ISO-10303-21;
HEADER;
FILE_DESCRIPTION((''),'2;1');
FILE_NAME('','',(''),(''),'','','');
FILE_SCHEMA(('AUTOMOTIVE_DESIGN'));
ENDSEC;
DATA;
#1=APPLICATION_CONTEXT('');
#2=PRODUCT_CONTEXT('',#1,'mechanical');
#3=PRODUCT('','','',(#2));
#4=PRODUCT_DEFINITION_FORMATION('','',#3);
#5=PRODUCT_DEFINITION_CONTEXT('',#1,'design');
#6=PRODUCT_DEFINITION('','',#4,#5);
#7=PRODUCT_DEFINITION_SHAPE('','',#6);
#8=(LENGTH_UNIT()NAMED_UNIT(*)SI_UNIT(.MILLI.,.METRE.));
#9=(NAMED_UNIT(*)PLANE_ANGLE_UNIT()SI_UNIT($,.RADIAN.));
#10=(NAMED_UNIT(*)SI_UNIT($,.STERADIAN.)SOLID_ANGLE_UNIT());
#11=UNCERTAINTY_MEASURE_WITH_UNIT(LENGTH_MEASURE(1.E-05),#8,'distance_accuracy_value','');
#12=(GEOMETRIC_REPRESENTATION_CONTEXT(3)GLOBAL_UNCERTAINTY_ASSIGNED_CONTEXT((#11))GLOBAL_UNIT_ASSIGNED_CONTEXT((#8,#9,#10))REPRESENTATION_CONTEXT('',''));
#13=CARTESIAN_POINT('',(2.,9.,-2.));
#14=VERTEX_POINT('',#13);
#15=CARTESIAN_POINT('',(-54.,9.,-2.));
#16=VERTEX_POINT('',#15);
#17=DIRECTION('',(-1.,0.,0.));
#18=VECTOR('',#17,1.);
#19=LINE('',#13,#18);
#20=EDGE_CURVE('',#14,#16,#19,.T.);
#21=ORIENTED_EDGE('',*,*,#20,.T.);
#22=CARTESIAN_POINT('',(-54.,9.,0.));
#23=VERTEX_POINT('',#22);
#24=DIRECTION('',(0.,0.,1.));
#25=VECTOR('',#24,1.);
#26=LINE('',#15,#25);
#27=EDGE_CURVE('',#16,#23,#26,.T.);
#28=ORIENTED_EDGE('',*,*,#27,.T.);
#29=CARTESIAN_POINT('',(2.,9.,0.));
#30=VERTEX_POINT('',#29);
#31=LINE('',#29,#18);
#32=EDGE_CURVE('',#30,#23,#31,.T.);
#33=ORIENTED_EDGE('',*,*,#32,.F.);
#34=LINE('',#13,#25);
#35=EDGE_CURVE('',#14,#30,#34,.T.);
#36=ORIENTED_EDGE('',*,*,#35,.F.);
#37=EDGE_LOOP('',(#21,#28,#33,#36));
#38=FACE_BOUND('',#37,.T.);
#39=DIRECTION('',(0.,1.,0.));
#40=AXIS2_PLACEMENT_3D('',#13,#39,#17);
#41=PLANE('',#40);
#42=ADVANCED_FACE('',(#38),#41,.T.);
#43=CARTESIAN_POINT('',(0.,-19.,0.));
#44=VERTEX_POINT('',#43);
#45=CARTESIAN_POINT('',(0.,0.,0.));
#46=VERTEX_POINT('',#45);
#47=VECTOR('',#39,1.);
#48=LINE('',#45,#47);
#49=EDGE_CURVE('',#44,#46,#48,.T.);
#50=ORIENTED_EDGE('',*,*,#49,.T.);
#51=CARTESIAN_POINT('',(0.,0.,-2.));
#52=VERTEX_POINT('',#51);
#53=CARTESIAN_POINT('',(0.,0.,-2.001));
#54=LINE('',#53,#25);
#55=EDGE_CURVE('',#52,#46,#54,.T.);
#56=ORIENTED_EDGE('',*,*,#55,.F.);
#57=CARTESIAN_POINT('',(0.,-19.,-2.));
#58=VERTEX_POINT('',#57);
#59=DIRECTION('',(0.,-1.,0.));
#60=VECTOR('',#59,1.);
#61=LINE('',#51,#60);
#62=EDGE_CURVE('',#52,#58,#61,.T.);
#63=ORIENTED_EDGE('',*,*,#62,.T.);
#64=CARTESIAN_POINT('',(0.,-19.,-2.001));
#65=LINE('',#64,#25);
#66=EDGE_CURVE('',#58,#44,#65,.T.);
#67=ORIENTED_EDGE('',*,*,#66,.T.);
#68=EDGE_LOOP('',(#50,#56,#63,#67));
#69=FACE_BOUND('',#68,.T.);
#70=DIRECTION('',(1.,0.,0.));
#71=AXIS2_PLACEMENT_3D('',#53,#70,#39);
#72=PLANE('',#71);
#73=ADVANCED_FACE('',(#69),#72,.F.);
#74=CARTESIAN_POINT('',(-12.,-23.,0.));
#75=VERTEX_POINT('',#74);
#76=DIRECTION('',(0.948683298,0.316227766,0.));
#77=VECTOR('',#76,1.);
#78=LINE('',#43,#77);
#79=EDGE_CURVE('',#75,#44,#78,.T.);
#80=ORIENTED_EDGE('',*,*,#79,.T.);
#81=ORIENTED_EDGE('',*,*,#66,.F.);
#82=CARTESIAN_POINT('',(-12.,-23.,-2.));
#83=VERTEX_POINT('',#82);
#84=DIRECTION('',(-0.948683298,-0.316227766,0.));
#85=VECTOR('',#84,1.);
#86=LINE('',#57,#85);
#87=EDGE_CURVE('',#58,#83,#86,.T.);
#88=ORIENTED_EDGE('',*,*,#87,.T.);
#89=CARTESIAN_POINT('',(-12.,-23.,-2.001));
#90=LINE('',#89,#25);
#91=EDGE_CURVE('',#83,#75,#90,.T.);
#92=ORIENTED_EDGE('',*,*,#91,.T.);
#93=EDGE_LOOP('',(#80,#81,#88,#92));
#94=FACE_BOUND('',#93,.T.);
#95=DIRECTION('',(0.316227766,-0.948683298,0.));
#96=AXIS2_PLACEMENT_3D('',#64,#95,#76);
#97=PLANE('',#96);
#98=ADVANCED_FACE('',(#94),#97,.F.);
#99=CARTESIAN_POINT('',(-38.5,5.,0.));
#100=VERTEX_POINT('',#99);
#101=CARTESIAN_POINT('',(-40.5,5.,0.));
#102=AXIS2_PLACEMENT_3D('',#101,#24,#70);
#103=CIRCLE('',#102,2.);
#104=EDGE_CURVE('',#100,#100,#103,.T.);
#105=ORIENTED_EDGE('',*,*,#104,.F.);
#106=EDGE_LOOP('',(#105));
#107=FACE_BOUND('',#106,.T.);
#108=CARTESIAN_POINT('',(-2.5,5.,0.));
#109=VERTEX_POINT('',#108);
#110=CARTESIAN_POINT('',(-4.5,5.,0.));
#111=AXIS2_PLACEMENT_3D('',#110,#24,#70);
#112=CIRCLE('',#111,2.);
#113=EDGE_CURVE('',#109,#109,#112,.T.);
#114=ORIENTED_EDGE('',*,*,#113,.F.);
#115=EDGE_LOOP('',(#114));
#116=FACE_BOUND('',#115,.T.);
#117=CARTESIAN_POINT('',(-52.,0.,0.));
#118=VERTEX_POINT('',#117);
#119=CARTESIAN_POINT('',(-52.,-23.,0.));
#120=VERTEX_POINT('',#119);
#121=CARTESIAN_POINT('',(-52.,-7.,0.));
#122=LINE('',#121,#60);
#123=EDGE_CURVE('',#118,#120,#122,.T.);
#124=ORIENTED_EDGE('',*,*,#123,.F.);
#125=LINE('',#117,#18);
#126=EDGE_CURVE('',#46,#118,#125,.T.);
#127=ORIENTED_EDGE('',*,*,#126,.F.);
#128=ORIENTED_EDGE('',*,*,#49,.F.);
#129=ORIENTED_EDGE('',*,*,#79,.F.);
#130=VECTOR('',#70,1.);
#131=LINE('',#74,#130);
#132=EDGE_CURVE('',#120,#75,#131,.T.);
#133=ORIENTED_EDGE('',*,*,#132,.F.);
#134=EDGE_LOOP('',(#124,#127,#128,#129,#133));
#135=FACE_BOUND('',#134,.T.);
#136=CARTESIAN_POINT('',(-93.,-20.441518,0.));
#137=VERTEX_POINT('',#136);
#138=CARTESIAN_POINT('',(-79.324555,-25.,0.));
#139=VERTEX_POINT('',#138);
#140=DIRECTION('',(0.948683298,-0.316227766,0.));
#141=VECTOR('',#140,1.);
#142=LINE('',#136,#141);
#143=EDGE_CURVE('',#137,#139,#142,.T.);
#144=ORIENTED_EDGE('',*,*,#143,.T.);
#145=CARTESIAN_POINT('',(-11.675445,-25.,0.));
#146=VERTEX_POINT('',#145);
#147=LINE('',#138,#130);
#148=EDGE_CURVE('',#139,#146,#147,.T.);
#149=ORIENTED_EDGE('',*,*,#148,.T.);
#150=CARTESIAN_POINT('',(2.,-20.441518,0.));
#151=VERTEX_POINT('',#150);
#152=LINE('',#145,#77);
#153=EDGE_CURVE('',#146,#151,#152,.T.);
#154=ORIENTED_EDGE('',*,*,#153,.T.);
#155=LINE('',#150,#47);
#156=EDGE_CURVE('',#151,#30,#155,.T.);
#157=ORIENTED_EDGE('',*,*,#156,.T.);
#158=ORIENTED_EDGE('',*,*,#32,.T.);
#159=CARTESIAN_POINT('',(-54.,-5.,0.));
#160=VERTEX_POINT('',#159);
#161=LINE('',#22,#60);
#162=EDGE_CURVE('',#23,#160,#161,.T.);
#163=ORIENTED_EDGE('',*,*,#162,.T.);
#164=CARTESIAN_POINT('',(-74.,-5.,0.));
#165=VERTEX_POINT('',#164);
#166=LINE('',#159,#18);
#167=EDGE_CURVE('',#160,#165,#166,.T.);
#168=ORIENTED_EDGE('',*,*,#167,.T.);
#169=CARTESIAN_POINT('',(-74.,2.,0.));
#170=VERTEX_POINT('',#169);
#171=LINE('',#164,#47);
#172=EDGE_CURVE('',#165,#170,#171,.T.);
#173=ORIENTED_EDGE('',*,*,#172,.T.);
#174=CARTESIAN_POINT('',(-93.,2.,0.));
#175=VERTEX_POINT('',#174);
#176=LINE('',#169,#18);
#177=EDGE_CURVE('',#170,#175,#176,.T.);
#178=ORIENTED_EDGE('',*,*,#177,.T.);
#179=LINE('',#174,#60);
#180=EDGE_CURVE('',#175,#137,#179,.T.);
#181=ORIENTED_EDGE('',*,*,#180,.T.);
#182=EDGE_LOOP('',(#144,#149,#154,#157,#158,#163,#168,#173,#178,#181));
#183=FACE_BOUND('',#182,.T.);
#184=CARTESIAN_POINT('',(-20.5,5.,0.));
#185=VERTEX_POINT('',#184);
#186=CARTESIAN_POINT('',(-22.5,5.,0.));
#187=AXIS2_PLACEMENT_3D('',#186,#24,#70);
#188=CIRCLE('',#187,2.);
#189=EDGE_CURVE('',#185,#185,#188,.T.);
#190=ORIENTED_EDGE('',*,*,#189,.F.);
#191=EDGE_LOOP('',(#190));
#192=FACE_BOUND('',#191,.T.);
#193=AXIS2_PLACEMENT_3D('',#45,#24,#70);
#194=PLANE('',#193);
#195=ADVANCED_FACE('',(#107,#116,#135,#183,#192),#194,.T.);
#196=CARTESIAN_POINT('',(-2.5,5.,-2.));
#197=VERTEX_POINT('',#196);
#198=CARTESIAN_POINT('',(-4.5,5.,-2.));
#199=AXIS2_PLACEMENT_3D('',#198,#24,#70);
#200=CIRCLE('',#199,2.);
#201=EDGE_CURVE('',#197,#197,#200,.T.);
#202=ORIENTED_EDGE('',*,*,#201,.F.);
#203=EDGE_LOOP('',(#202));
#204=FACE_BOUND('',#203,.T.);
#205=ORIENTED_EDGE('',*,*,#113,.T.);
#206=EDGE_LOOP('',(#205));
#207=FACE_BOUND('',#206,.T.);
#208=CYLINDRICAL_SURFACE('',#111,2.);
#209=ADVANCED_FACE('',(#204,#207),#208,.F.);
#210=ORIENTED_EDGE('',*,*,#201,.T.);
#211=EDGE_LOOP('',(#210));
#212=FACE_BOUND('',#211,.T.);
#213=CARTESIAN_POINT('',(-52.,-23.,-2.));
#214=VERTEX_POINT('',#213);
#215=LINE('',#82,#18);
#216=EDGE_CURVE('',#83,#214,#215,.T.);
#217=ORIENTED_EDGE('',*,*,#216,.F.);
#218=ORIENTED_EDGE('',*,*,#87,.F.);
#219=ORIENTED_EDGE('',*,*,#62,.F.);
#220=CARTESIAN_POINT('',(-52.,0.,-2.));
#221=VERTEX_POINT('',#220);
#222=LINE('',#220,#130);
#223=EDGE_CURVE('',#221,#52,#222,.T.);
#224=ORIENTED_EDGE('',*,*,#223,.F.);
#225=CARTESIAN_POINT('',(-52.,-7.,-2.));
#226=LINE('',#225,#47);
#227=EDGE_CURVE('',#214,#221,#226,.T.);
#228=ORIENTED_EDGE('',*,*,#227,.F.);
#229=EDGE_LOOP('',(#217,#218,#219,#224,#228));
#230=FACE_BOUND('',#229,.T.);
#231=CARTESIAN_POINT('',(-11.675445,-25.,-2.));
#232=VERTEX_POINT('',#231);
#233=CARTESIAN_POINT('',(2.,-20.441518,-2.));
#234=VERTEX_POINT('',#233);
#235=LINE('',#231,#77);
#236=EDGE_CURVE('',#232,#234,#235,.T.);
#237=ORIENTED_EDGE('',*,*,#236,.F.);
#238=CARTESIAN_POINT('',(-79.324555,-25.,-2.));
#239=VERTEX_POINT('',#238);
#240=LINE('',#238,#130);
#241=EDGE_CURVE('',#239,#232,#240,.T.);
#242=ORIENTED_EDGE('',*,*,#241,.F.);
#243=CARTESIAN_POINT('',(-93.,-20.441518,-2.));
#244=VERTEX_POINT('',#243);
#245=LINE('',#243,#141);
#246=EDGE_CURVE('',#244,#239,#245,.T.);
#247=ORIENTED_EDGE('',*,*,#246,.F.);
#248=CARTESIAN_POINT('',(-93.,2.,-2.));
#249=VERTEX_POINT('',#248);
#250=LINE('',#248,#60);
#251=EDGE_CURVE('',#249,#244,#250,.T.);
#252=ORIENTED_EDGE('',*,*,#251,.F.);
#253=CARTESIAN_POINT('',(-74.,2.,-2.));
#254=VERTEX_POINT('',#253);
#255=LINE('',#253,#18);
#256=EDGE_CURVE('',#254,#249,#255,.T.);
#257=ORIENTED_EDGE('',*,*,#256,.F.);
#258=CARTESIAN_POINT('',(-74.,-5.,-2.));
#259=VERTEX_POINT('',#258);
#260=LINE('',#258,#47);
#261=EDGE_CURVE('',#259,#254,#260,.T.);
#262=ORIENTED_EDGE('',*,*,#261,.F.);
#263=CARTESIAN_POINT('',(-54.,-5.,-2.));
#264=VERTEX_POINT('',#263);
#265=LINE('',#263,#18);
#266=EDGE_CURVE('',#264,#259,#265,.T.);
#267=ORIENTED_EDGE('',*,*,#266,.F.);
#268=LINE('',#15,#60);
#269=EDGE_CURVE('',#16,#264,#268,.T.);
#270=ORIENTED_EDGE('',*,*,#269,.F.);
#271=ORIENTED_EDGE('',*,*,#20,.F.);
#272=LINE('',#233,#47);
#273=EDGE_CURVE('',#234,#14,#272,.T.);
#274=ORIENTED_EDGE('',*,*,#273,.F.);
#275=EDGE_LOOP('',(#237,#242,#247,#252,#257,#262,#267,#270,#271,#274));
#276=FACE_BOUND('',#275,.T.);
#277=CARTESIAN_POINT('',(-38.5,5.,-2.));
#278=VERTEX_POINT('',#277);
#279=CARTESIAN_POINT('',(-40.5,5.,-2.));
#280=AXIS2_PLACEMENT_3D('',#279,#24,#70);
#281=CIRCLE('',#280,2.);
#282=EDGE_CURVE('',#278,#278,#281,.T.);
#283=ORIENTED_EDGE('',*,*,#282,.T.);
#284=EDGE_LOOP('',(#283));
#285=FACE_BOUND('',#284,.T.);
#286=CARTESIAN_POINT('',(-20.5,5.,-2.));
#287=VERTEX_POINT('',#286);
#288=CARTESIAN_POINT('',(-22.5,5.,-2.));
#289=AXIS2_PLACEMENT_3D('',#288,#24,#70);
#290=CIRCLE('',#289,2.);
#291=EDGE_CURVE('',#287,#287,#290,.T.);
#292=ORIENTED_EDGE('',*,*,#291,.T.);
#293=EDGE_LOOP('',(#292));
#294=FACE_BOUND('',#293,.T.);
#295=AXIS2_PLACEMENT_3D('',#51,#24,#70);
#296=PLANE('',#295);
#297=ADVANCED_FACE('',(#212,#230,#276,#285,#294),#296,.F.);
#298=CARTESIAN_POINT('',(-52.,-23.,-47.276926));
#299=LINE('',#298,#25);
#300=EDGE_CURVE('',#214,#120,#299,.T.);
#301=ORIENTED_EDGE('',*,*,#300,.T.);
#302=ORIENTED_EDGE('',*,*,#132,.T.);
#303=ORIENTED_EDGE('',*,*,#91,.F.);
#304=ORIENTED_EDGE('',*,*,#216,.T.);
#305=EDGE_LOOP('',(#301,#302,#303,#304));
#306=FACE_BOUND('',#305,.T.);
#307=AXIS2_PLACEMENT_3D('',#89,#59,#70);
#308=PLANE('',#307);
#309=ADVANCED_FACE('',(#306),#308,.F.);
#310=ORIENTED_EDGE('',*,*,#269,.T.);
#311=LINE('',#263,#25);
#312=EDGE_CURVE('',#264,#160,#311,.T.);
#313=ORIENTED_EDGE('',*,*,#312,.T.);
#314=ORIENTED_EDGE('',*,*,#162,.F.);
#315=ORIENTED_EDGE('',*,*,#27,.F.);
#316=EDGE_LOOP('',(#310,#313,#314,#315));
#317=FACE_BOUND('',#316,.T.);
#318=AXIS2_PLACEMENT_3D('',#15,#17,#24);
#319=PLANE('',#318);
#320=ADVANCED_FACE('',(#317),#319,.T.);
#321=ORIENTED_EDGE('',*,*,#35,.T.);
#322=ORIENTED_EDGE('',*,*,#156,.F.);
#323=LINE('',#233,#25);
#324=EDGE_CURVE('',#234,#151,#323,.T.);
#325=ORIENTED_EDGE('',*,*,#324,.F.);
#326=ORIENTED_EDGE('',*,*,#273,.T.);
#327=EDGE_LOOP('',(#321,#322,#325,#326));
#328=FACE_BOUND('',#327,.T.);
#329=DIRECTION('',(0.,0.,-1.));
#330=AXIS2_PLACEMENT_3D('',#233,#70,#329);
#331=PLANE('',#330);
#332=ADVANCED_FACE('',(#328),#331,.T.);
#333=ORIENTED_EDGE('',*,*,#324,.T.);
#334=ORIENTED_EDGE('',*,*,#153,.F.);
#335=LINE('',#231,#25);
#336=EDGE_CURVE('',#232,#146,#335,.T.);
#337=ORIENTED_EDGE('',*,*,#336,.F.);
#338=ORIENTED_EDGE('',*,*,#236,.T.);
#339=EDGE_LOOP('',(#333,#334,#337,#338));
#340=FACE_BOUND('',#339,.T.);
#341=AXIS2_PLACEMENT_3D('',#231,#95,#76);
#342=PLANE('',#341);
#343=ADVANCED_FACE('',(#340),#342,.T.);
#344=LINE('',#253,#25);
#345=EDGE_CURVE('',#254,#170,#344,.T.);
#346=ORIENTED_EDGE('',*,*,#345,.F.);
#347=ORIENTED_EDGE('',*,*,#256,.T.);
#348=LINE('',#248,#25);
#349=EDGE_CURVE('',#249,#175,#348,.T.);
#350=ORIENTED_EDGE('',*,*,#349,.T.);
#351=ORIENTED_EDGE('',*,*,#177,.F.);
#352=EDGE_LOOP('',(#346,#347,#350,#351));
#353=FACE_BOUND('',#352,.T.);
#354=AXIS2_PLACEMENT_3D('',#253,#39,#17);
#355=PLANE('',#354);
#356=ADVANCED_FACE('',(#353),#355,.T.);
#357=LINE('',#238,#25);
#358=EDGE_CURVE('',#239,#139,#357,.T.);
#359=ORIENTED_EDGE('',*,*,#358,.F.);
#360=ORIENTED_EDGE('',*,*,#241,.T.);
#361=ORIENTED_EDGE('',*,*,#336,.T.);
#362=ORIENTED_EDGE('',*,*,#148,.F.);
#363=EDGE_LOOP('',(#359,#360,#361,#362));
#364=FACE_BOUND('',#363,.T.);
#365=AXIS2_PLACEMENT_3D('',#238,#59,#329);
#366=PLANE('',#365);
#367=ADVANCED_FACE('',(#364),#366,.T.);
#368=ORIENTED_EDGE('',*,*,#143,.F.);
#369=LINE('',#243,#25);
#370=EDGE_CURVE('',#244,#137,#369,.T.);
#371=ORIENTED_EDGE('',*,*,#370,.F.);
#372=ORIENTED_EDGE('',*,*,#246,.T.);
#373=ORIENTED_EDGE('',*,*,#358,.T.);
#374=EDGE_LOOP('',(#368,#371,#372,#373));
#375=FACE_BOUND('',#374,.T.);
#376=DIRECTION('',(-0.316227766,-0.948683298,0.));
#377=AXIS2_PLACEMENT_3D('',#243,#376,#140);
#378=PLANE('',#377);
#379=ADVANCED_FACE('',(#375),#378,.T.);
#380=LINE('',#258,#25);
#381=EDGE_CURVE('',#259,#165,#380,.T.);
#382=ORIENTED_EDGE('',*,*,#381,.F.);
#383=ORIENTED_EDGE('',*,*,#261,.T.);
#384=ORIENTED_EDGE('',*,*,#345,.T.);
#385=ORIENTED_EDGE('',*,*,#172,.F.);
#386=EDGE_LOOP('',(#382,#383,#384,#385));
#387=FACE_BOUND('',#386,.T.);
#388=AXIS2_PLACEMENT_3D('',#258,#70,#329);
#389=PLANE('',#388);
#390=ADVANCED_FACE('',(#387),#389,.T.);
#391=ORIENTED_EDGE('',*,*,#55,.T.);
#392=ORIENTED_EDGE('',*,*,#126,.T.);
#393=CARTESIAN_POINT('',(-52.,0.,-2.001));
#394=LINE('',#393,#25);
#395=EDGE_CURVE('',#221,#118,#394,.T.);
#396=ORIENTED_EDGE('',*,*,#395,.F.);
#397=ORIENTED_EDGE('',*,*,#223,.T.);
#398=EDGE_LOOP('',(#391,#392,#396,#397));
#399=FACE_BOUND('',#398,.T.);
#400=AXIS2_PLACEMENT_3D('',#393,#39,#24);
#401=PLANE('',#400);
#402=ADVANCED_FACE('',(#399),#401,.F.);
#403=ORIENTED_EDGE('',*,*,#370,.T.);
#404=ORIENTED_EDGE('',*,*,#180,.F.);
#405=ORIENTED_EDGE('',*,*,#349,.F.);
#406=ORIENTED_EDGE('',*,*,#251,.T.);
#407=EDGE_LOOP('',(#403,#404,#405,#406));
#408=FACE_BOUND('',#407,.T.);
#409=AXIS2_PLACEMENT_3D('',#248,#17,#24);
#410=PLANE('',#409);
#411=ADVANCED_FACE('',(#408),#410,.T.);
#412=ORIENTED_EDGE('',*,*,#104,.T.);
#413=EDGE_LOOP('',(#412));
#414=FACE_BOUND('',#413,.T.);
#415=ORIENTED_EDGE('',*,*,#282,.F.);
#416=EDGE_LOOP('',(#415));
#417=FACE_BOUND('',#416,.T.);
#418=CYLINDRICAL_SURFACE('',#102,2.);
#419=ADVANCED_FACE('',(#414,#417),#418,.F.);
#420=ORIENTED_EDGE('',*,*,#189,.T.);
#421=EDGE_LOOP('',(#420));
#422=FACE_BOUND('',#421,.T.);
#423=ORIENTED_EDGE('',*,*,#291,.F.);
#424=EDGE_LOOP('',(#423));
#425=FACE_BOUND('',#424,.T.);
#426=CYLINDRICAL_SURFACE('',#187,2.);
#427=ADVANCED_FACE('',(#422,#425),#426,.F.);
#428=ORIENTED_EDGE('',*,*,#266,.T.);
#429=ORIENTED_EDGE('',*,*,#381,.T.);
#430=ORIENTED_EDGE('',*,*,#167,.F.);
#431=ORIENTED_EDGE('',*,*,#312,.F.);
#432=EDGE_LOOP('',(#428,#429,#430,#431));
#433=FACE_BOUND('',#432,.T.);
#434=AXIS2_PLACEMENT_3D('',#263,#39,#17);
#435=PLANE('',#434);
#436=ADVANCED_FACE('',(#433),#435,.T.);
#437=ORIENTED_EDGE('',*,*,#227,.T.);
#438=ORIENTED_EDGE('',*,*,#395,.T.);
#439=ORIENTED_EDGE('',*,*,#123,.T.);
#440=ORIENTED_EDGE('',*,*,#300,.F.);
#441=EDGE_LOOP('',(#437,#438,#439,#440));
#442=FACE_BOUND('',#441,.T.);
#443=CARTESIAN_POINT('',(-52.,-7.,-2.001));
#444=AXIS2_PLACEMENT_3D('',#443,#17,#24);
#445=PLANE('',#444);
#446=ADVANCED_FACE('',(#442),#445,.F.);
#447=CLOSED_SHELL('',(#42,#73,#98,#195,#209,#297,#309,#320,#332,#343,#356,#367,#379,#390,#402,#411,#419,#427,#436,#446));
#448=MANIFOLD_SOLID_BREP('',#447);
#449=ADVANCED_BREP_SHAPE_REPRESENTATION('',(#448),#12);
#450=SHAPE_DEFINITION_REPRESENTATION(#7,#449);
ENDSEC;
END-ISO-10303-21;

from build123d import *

# Parameters (mm, degrees)
BOSS_EXTRUDE1_DEPTH   = 2
F_4_0MM_DOWEL_HOLE1_D = 4
CUT_EXTRUDE1_REACH    = 98.322
BOSS_EXTRUDE2_DEPTH   = 2


with BuildPart() as part:
    # Sketch2 → Boss-Extrude1 (new body)
    with BuildSketch(Plane.XY):
        Polygon((2, 9), (-54, 9), (-54, -5), (-74, -5), (-74, 2), (-93, 2), (-93, -20.44151844), (-79.32455532, -25), (-11.67544468, -25), (2, -20.44151844), align=None)
    extrude(amount=-BOSS_EXTRUDE1_DEPTH)

    # Ø4.0mm Dowel Hole1 (through all)
    with Locations(Plane.XY):
        with Locations((-40.5, 5), (-22.5, 5), (-4.5, 5)):
            Hole(F_4_0MM_DOWEL_HOLE1_D / 2)

    # Sketch1 → Cut-Extrude1 (cut, up to next)
    with BuildSketch(Plane.XY, mode=Mode.PRIVATE) as cut_extrude1_sk1:
        Polygon((0, 0), (0, -19), (-12, -23), (-79, -23), (-91, -19), (-91, 0), (-76, 0), (-76, -7), (-52, -7), (-52, 0), align=None)
    cut_extrude1_tool1 = extrude(cut_extrude1_sk1.sketch, amount=-CUT_EXTRUDE1_REACH, mode=Mode.PRIVATE) & part.part
    add(cut_extrude1_tool1.solids().sort_by_distance((-43.844166, -11.956047, 0))[0], mode=Mode.SUBTRACT)

    # Sketch5 → Boss-Extrude2 (add)
    with BuildSketch(Plane.XY):
        Polygon((-52, -7), (-52, -23), (-79, -23), (-91, -19), (-91, 0), (-76, 0), (-76, -7), align=None)
    extrude(amount=-BOSS_EXTRUDE2_DEPTH)


solid = part.part
